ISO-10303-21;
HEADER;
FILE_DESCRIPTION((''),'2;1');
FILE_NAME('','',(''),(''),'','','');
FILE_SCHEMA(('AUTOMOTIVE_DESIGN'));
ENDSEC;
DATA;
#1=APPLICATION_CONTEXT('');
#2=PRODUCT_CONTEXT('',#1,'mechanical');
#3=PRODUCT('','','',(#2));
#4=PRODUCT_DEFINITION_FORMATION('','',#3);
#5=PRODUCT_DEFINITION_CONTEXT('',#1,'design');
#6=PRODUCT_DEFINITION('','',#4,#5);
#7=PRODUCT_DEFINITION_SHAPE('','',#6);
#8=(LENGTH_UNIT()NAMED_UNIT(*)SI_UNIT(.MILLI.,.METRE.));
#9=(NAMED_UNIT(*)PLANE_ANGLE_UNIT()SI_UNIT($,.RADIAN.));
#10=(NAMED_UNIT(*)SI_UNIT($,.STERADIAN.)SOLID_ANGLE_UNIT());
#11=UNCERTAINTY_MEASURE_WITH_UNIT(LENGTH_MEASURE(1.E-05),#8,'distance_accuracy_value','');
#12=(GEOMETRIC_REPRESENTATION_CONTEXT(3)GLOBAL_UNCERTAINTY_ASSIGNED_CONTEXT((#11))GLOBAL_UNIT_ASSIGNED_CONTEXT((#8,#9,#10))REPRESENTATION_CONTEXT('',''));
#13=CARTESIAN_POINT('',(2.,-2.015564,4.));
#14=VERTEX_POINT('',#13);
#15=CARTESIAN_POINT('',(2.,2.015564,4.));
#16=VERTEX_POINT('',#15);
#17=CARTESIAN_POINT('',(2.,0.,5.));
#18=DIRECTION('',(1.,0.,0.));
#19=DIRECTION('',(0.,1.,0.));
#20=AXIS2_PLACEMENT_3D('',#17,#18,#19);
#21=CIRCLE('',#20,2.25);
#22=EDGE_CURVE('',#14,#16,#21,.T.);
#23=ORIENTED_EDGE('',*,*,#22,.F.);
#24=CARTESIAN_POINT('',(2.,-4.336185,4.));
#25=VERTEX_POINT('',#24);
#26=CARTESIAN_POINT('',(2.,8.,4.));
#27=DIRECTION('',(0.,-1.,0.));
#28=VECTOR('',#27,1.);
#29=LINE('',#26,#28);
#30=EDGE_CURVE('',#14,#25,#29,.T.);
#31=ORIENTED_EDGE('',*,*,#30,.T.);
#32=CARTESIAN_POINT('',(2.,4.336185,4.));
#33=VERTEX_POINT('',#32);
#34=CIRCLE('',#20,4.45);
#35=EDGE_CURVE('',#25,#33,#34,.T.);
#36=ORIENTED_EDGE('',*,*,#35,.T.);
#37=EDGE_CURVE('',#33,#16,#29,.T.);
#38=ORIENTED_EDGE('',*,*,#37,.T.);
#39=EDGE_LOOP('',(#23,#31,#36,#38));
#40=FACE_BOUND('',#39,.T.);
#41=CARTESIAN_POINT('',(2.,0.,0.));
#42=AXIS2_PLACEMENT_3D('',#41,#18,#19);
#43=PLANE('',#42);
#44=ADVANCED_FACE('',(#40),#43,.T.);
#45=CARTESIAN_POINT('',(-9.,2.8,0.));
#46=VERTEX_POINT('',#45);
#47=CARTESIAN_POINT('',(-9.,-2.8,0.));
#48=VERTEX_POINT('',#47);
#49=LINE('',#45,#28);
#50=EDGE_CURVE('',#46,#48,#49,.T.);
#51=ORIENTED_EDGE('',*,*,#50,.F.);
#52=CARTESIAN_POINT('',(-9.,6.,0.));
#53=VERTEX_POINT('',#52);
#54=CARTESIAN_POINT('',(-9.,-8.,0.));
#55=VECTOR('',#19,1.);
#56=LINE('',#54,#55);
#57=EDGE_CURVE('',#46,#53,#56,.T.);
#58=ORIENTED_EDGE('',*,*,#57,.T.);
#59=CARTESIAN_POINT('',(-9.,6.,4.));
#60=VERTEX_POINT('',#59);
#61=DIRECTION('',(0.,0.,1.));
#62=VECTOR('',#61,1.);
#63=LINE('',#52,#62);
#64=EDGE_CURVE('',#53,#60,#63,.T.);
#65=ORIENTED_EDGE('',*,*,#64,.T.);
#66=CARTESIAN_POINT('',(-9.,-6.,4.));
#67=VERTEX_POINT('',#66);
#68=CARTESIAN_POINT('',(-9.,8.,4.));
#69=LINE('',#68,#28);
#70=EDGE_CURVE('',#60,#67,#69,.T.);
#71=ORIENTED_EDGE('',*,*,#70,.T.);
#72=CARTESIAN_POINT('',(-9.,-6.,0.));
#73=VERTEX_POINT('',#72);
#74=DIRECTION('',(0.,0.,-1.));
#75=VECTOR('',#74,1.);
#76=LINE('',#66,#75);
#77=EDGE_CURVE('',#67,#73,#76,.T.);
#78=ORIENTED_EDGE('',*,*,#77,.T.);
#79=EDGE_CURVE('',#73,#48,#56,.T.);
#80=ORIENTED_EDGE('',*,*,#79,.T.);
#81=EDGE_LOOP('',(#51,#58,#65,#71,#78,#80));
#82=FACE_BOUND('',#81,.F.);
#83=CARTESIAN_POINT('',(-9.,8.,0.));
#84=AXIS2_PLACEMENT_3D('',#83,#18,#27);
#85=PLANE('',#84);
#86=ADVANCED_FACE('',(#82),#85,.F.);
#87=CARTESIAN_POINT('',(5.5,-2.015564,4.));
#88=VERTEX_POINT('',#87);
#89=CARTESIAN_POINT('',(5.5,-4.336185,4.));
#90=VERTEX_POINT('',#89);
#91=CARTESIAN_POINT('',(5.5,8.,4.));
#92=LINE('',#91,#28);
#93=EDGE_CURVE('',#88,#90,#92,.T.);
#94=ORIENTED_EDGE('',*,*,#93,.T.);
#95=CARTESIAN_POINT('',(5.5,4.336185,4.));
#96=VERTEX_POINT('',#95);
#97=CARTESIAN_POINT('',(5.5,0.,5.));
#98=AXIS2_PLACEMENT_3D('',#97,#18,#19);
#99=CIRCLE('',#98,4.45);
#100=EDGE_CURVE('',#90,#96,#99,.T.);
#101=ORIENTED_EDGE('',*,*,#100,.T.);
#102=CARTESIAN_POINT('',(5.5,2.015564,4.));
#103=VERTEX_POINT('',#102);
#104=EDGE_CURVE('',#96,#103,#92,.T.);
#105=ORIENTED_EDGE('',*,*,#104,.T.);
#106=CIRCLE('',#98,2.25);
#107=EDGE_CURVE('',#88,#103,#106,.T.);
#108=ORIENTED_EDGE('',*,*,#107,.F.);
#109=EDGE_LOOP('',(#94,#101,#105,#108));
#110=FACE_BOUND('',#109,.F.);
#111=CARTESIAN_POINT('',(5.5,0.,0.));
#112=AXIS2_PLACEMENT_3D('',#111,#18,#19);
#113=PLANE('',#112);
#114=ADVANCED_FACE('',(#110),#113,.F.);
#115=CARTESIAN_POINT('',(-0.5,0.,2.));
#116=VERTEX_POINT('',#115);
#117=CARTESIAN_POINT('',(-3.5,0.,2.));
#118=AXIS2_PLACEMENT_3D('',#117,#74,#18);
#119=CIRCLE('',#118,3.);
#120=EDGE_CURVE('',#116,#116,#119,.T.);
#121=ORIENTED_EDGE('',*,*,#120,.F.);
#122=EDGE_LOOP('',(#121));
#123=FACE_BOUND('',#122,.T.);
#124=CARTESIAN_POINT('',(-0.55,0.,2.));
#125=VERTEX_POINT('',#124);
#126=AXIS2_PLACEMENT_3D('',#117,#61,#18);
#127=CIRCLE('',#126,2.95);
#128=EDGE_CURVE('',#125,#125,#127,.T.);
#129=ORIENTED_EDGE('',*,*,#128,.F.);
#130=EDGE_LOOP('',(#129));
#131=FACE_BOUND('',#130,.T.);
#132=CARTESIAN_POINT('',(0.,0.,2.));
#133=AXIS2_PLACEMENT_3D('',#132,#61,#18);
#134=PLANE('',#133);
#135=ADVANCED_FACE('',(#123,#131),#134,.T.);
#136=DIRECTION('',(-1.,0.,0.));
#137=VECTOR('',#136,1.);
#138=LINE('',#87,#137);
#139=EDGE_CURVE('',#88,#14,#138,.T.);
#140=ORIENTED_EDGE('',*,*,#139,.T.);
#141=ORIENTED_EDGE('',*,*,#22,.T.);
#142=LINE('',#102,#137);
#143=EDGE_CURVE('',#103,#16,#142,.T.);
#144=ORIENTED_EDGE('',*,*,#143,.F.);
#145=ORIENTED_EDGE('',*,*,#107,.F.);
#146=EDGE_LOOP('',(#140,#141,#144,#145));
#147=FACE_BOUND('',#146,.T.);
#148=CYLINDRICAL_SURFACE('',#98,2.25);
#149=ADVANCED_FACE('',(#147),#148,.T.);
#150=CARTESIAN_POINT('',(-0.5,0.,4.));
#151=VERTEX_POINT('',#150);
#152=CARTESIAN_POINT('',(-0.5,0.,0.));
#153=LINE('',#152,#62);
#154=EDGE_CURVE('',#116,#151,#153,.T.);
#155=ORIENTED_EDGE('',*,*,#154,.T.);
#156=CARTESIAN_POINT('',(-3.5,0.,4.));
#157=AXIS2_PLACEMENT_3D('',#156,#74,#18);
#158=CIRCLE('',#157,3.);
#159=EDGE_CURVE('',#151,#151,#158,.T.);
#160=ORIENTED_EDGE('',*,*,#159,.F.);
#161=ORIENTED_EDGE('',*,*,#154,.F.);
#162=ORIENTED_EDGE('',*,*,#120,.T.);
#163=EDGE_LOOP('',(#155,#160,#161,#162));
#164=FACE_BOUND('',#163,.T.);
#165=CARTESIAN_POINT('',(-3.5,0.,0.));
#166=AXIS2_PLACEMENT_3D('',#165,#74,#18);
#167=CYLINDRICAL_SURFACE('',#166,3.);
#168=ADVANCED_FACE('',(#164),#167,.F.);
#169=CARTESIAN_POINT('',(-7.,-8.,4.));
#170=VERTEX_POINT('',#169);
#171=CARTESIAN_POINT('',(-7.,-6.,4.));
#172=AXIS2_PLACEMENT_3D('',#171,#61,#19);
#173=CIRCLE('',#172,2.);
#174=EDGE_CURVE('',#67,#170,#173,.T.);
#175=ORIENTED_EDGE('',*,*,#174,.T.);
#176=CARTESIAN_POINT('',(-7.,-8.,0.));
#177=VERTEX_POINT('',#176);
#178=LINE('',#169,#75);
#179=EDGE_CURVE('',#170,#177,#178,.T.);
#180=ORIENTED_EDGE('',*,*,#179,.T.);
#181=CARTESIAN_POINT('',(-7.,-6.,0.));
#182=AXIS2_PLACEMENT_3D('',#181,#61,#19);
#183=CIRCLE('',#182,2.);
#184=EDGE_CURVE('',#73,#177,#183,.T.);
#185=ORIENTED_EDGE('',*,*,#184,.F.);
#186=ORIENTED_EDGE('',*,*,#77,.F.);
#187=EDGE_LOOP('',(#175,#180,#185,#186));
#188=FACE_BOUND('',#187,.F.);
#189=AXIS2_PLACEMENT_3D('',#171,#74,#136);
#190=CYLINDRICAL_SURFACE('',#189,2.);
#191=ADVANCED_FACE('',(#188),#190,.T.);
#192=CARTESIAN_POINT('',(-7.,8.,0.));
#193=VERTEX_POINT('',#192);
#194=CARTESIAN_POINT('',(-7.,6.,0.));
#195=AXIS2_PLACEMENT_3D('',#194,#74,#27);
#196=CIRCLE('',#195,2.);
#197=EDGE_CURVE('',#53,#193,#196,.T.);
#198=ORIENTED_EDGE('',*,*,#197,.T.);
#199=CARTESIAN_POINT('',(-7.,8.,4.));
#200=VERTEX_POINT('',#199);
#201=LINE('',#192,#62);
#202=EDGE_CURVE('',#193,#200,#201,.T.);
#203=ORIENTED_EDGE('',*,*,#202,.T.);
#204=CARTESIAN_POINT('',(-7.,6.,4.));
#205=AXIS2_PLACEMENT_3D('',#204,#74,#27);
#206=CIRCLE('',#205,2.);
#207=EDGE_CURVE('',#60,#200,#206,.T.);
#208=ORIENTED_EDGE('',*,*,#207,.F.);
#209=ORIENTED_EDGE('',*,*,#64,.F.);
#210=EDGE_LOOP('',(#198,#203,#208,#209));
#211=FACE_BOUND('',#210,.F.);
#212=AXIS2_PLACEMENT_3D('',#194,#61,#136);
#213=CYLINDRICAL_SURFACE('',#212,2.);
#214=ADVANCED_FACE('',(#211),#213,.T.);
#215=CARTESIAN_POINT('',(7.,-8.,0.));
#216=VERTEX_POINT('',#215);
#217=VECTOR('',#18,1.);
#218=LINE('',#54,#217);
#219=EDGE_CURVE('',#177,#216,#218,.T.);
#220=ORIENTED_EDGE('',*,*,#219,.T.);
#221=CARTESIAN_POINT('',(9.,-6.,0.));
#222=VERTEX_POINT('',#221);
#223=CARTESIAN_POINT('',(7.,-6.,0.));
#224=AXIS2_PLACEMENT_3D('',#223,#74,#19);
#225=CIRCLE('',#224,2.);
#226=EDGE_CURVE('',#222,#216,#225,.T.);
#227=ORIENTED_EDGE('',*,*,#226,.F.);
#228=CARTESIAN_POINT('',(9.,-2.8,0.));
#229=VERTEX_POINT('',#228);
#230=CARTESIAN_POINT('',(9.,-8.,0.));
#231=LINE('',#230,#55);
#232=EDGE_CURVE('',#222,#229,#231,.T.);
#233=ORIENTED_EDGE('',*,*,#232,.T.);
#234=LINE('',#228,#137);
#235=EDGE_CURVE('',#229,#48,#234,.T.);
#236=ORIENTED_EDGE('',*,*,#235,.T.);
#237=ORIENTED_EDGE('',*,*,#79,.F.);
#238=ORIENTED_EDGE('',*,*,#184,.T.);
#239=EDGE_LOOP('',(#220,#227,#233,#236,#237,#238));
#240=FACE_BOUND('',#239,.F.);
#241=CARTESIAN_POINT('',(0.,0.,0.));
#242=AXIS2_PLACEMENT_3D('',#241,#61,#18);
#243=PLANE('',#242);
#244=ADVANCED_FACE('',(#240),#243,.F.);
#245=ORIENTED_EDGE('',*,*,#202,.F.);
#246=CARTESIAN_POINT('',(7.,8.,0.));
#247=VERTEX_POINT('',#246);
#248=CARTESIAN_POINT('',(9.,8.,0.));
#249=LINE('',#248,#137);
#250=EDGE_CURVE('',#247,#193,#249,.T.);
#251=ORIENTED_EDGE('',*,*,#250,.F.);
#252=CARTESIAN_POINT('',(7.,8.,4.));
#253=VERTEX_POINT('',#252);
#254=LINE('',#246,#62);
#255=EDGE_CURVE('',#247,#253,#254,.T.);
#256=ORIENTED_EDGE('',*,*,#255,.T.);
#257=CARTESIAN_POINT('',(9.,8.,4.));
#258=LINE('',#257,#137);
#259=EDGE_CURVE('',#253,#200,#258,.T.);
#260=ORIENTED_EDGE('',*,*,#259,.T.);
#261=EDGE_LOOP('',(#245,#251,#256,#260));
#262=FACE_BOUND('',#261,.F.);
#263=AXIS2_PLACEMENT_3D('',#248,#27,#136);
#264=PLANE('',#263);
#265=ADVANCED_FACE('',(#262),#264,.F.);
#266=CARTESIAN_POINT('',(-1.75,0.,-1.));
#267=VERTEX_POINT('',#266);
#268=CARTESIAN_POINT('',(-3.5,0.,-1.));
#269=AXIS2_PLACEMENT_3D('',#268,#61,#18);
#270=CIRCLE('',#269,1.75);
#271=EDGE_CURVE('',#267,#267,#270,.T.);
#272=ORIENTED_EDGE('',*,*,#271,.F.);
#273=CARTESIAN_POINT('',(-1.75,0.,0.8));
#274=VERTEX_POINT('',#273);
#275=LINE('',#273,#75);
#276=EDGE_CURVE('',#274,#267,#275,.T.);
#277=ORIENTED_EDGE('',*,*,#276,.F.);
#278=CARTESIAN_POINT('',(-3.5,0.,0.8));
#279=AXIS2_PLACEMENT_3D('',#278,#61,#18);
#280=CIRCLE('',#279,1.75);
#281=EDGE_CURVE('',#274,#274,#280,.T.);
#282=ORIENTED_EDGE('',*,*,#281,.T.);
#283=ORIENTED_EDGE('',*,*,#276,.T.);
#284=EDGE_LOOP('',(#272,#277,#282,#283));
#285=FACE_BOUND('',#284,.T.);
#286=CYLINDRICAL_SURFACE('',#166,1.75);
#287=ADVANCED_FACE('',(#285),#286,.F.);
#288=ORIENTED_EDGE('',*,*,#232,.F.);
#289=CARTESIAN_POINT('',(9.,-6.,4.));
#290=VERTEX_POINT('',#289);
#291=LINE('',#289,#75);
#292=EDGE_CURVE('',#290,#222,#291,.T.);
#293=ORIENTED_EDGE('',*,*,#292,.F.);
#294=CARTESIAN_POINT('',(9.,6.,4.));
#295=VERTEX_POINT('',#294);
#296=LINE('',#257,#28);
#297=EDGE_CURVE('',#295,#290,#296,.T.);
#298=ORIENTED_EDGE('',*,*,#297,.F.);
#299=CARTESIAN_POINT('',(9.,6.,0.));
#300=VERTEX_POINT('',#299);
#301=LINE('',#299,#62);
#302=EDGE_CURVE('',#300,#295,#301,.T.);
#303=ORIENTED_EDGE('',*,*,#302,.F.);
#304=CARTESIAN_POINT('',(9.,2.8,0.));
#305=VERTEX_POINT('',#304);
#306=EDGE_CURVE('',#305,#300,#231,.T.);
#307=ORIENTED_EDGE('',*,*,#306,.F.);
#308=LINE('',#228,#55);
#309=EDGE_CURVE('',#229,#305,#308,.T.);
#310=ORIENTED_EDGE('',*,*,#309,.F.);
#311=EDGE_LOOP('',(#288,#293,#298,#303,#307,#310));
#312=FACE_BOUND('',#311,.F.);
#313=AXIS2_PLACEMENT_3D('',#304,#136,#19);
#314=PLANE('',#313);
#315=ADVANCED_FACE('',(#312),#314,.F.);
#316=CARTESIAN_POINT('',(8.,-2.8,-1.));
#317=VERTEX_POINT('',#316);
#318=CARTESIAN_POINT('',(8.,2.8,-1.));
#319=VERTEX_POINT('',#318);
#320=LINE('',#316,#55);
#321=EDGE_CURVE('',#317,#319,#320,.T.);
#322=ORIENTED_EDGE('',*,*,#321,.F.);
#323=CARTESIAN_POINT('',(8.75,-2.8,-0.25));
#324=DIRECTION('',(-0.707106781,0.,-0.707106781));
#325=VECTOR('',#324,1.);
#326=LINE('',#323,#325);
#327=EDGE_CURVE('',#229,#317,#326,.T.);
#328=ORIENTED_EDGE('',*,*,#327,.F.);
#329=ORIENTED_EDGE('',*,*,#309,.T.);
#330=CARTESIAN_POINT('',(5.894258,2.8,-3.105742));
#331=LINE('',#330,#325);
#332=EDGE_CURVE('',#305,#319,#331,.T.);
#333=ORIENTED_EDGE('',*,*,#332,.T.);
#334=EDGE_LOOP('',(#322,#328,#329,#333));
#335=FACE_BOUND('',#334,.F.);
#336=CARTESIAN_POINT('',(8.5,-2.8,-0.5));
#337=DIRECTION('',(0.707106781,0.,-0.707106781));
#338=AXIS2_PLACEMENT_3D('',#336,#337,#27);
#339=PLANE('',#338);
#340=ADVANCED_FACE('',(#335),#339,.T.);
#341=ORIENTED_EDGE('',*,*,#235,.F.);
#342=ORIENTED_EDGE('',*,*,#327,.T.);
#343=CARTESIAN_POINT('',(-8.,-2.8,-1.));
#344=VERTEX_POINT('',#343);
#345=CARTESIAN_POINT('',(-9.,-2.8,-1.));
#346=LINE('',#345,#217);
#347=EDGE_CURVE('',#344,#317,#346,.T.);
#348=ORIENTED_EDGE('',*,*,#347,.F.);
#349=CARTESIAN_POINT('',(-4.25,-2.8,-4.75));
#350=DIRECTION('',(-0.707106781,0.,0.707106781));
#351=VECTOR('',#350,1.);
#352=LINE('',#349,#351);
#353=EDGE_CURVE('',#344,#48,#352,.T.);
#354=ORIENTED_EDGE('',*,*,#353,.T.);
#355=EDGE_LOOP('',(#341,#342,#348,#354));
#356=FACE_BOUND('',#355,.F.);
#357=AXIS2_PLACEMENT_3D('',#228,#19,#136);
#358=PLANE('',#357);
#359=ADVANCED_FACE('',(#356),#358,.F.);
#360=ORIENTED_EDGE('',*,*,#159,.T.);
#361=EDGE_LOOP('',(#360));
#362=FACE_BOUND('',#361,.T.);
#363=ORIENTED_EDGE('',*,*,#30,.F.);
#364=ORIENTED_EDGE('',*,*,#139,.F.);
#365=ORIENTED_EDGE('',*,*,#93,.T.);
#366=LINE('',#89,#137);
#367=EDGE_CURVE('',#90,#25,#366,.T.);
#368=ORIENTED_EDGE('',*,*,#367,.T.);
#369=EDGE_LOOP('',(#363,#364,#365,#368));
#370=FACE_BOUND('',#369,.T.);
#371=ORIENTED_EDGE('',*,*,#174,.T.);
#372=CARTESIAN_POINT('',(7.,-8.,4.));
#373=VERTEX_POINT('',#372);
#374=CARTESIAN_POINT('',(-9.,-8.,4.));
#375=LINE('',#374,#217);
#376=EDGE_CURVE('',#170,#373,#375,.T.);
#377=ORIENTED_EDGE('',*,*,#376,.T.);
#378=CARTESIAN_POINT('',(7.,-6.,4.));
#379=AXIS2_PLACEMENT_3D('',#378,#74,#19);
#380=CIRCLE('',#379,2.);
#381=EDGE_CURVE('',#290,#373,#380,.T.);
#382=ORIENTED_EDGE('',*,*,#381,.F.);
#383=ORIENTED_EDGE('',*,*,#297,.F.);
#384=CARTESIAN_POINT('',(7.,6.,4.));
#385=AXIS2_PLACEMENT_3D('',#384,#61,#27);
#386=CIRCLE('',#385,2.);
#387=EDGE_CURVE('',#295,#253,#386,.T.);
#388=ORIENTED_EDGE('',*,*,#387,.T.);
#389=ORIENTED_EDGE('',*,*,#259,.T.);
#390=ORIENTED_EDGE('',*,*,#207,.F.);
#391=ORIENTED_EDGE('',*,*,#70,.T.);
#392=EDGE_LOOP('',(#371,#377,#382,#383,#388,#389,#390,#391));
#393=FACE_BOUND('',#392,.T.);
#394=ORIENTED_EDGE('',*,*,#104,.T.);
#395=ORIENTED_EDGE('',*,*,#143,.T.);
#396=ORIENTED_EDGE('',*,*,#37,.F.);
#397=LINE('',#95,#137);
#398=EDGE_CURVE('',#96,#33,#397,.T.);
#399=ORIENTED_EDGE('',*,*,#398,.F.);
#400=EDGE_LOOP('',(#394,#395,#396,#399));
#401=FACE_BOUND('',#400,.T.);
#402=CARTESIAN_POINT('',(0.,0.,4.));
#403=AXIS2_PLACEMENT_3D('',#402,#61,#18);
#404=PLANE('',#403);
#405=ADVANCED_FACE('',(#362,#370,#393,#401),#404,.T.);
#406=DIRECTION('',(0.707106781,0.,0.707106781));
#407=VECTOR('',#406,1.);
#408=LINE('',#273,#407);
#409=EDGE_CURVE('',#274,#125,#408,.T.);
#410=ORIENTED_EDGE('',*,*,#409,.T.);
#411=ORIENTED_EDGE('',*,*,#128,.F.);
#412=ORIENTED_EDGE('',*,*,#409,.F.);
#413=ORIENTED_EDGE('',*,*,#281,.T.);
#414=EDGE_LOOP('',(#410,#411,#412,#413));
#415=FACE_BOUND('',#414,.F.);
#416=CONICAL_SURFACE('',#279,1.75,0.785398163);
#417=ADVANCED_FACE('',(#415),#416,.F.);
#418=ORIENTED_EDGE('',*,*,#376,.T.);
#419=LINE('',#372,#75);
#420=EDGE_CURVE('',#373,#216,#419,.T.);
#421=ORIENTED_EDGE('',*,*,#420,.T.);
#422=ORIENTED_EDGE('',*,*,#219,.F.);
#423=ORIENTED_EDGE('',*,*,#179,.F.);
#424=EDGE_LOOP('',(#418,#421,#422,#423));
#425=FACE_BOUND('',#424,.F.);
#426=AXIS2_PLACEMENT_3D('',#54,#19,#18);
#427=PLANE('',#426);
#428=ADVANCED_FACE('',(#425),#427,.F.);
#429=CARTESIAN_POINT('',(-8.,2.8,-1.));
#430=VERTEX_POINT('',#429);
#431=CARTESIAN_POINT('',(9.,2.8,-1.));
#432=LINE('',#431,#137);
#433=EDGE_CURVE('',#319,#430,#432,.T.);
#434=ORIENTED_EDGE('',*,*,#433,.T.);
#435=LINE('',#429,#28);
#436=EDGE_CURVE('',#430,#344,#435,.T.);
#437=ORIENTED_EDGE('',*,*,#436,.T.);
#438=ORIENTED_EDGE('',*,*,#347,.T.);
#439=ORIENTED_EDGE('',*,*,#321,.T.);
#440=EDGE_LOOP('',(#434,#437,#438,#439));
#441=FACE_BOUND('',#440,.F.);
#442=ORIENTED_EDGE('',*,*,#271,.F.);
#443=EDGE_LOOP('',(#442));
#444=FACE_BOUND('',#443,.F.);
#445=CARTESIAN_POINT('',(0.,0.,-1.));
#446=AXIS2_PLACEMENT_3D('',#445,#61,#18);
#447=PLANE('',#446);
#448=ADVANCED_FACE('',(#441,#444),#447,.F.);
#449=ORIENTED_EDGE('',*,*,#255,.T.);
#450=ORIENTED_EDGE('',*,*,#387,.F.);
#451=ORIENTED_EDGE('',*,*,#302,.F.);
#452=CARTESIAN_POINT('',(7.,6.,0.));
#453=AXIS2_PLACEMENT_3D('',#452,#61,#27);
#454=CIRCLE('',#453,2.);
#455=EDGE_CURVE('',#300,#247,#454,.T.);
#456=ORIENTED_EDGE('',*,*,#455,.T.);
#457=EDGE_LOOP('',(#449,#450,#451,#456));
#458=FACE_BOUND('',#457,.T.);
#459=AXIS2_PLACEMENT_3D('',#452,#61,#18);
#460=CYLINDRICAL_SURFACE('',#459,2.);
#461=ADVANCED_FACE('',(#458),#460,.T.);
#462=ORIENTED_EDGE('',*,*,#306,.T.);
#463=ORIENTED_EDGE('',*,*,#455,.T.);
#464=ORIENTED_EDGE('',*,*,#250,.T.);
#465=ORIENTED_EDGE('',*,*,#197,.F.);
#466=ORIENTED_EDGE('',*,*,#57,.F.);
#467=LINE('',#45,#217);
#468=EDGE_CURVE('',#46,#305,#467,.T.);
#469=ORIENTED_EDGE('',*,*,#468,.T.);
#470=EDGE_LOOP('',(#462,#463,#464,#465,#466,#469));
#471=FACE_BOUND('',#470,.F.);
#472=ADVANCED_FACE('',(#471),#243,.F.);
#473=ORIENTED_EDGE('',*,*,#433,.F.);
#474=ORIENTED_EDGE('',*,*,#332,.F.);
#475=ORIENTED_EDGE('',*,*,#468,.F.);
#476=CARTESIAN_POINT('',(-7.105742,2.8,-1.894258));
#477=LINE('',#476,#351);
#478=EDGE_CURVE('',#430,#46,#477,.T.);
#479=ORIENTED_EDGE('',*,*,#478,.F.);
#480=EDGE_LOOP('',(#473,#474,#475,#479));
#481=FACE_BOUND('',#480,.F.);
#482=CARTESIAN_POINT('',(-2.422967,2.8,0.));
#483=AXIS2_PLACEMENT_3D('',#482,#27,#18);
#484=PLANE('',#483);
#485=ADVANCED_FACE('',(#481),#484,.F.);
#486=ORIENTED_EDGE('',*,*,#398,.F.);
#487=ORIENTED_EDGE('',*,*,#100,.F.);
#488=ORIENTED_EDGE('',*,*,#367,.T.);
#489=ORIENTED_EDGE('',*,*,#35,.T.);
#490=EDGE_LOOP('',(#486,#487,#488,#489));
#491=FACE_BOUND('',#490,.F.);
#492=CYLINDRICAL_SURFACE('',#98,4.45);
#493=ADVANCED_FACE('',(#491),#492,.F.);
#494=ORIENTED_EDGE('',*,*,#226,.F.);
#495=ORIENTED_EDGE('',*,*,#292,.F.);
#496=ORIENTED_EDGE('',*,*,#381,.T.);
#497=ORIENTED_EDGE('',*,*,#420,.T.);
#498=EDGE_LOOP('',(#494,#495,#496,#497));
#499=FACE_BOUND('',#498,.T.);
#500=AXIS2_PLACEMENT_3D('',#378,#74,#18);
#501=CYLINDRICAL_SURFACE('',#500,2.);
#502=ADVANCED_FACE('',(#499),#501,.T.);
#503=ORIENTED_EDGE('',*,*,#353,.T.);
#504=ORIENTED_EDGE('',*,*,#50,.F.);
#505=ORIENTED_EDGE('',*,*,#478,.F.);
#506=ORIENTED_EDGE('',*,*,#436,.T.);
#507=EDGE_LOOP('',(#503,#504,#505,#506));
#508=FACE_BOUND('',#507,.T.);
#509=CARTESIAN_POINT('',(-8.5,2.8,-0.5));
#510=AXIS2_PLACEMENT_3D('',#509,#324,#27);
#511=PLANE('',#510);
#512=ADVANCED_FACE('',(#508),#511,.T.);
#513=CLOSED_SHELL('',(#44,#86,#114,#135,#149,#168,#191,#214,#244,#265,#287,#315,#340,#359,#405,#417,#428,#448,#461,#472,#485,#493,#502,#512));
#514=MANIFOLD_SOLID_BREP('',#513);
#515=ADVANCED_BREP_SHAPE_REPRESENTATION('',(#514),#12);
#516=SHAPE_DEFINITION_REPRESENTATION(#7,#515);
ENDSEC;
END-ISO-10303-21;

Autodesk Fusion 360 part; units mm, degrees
sketch "Sketch1" plane through (0, 0, 0) normal (0, 0, 1) x (1, 0, 0)
  line L0 (9, 8) -> (-9, 8)
  line L1 (-9, 8) -> (-9, -8)
  line L2 (-9, -8) -> (9, -8)
  line L3 (9, -8) -> (9, 8)
  circle A0 centre (-3.5, 0) radius 1.75
  circle A1 centre (-3.5, 0) radius 3
  line L4 (9, -2.8) -> (-9, -2.8)
  line L5 (-9, -2.8) -> (-9, 2.8)
  line L6 (-9, 2.8) -> (9, 2.8)
  line L7 (9, 2.8) -> (9, -2.8)
  line L8 (9, -2.8) -> (-9, 2.8) construction
  line L9 (-9, -2.8) -> (9, 2.8) construction
  dimension "d1" = 18
  dimension "d2" = 16
  dimension "d5" = 3.5
  dimension "d6" = 6
  dimension "d9" = 5.6
  dimension "d12" = 3.5
  dimension "d23" = 8
extrude "Extrude1" add sketch "Sketch1" along normal blind 2
extrude "Extrude2" add sketch "Sketch1" along normal blind 4 contours L0 L1 L3 A1 L6 | L3 A1 L4 L6 L7 | L1 A1 L4 L5 L6 | L1 L2 L3 A1 L4
extrude "Extrude3" add sketch "Sketch1" against normal blind 1 contours L3 A1 L4 L6 L7 | L1 A1 L4 L5 L6 | A1 L4 L6
sketch "Sketch2" plane through (9, 0, 0) normal (1, 0, 0) x (0, 1, 0)
  line L0 (-8, 0) -> (-2.8, 0)
  line L1 (-2.8, 0) -> (-2.8, -1)
  line L2 (-2.8, -1) -> (2.8, -1)
  line L3 (2.8, -1) -> (2.8, 0)
  line L4 (2.8, 0) -> (8, 0)
  line L5 (8, 0) -> (8, 4)
  line L6 (8, 4) -> (-8, 4)
  line L7 (-8, 4) -> (-8, 0)
  circle A0 centre (0, 5) radius 2.25
  circle A1 centre (0, 5) radius 4.45
  line L8 (-8, 0) -> (8, 0)
  line L9 (0, 4) -> (0, 5) construction
  dimension "d13" = 4.5
  dimension "d14" = 2.2
  dimension "d18" = 5
extrude "Extrude4" cut sketch "Sketch2" against normal blind 3.5 from surface at -3.5 contours L6 A0 A1 picked at (-0.2762, 1.3019)
chamfer "Chamfer1" distance 1.2 angle 45 1 edges at (-5.1316, 0.6328, 2)
fillet "Fillet1" radius 2 4 edges at (-9, -8, 2) (9, -8, 2) (9, 8, 2) (-9, 8, 2)
chamfer "Chamfer2" distance 1 angle 45 2 edges at (-9, 0, -1) (9, 0, -1)
equation "d23 = d2 / 2"
